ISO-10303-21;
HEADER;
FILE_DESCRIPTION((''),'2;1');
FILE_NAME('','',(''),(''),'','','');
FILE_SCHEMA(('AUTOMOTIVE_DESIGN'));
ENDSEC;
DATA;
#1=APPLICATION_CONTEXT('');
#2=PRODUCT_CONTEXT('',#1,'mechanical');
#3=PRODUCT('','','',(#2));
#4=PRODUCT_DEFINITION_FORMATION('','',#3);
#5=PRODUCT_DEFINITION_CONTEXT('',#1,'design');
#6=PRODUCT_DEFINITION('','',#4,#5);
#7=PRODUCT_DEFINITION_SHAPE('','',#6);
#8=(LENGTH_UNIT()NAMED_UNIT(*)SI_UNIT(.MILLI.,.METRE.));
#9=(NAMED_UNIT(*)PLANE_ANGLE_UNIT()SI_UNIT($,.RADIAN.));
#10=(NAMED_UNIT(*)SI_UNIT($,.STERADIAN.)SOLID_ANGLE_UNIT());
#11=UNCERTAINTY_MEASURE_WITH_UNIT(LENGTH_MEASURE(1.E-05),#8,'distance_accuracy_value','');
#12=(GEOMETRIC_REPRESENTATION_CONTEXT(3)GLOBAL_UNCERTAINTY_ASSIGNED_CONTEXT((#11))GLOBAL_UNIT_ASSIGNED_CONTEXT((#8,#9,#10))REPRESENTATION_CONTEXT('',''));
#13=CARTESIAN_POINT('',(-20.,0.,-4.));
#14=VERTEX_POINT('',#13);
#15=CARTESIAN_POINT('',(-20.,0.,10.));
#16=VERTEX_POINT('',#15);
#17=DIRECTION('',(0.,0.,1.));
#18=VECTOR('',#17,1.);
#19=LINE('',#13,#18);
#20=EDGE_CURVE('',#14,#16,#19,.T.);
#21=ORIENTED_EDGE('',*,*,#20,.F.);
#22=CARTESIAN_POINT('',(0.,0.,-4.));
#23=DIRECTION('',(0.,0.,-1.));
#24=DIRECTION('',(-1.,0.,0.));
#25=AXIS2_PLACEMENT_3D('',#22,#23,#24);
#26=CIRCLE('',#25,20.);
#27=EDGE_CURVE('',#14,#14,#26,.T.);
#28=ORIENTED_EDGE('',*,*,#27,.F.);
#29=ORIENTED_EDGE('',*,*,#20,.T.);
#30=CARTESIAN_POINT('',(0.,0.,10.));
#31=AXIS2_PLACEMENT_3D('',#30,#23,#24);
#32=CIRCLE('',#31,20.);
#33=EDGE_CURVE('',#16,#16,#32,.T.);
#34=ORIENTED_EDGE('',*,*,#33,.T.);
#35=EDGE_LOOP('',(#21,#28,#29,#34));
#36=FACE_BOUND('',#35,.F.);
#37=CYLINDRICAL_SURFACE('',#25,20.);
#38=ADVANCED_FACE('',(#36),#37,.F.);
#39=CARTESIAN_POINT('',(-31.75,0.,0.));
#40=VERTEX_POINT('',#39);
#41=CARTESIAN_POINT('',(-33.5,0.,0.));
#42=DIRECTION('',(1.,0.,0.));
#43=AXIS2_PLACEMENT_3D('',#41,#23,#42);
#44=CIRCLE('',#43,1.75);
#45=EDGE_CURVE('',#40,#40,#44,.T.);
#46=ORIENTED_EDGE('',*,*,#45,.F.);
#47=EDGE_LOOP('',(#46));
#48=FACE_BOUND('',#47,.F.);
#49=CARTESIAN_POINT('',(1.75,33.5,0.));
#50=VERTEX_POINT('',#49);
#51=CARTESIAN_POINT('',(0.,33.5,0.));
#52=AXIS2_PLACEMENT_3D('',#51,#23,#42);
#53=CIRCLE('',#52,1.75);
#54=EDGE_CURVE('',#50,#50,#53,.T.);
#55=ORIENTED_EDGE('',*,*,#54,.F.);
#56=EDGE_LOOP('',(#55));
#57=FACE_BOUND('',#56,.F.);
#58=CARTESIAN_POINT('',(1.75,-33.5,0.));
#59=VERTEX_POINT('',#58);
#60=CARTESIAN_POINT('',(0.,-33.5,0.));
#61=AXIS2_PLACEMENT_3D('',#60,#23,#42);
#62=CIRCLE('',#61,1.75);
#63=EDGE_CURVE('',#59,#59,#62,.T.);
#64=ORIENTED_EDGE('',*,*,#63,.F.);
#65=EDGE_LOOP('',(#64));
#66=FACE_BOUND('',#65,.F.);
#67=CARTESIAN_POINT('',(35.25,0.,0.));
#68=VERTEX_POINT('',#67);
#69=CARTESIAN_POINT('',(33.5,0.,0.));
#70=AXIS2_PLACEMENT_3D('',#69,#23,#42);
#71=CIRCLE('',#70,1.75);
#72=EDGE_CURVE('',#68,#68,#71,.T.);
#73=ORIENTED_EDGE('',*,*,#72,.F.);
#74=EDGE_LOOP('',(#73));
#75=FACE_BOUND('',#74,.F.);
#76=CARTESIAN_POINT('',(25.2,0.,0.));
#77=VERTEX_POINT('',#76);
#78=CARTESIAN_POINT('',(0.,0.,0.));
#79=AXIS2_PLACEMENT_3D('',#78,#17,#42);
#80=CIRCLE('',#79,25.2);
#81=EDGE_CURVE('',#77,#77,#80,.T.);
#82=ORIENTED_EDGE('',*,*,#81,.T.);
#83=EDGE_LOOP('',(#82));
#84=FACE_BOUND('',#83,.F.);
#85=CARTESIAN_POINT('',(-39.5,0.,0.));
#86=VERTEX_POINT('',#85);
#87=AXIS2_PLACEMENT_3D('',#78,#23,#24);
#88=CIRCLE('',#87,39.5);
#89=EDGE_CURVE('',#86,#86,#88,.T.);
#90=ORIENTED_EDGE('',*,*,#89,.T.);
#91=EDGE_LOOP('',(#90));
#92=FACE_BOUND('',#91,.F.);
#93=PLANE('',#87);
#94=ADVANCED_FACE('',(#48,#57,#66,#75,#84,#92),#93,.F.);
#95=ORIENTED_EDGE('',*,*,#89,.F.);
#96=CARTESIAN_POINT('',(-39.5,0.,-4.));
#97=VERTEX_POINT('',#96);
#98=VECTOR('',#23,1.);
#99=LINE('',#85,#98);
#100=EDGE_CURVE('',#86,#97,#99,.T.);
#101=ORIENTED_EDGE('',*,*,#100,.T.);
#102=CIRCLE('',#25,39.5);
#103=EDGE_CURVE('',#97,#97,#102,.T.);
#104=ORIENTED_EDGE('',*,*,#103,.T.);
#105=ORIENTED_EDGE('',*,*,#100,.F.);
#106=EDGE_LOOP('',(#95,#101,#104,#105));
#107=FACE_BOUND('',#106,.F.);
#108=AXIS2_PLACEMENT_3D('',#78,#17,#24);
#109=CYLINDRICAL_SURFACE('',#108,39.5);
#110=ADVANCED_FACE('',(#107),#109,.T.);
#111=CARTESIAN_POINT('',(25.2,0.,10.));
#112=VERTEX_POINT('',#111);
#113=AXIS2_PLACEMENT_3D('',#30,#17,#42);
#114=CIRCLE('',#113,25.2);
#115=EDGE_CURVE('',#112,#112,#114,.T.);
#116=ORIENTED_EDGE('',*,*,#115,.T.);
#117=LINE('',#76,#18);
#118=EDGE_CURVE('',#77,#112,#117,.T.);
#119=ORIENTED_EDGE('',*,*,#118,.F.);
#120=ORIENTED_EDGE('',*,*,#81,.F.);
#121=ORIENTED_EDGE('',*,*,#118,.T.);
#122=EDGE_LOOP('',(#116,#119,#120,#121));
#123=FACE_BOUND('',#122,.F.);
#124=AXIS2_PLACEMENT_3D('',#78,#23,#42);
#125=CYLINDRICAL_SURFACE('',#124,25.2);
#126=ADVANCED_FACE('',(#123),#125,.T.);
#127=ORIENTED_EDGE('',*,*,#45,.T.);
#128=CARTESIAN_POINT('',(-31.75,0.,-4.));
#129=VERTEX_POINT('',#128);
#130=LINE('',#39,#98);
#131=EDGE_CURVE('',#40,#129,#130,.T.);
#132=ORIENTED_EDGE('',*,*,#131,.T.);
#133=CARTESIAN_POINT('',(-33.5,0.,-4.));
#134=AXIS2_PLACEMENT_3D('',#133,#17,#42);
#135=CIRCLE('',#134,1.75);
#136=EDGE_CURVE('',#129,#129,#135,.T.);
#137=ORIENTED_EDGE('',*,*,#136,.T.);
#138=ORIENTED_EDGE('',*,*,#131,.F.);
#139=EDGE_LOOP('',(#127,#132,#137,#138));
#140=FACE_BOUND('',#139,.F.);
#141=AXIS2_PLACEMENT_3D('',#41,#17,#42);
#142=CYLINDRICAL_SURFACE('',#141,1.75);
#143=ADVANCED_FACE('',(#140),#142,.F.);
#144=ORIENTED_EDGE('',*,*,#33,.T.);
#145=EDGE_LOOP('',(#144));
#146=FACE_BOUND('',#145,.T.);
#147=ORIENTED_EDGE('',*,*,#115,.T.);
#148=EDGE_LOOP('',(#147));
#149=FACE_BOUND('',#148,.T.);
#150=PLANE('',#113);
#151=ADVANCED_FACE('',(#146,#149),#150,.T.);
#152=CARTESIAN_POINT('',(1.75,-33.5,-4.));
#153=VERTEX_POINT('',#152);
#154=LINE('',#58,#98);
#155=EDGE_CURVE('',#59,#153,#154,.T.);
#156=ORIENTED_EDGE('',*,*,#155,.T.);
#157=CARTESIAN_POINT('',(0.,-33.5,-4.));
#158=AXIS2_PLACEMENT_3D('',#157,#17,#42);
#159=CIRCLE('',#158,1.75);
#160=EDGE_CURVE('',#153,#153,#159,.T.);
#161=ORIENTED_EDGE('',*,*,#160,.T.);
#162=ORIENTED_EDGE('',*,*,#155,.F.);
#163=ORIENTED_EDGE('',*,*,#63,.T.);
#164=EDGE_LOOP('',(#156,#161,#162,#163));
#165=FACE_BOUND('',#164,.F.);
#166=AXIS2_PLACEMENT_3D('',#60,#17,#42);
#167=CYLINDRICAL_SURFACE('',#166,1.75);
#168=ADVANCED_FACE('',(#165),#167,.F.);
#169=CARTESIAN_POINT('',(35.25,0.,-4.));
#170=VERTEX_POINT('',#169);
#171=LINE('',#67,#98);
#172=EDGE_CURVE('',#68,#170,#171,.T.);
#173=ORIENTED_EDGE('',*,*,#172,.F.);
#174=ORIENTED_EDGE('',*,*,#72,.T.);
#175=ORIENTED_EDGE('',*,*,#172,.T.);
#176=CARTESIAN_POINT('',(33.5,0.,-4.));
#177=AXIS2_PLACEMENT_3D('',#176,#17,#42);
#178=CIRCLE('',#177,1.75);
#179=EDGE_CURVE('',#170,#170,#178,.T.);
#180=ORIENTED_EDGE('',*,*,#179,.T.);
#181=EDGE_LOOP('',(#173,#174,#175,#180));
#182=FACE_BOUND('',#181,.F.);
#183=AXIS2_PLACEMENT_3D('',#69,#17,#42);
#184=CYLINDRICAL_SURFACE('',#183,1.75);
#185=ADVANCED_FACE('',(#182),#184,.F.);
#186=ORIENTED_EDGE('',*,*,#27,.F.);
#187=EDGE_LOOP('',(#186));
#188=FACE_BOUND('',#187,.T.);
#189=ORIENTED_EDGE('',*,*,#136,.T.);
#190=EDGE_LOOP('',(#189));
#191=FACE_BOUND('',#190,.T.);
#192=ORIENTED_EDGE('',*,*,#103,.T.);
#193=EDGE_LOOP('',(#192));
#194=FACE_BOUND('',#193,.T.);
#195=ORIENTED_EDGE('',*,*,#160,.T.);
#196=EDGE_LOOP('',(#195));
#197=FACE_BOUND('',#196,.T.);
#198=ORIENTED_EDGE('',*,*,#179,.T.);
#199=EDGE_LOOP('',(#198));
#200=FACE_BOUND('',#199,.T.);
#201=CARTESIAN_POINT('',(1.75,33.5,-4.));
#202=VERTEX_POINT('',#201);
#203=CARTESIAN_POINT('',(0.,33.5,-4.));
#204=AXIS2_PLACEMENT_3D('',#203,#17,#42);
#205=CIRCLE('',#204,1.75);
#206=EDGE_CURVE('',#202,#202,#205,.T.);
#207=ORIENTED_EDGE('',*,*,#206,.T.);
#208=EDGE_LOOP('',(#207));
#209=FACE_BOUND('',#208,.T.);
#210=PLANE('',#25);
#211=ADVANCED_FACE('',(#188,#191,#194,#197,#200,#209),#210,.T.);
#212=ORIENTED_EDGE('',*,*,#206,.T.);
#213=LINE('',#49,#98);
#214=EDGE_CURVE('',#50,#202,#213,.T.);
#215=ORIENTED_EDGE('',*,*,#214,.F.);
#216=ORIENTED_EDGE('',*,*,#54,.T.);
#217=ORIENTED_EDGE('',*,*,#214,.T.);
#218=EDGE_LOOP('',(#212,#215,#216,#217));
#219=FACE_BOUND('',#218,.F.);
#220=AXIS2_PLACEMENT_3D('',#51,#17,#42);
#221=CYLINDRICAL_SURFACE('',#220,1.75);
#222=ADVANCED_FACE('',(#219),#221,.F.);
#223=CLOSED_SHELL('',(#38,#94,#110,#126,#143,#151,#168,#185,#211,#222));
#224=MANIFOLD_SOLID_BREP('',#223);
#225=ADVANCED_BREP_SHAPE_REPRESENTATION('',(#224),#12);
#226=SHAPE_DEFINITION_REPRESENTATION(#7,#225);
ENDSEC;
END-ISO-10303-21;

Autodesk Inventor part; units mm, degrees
ref_plane "YZ Plane" through (0, 0, 0) normal (1, 0, 0) x (0, 1, 0)
ref_plane "XZ Plane" through (0, 0, 0) normal (0, 1, 0) x (-1, 0, 0)
ref_plane "XY Plane" through (0, 0, 0) normal (0, 0, 1) x (1, 0, 0)
sketch "Sketch1" plane through (0, 0, 0) normal (0, 0, 1) x (1, 0, 0)
  circle A0 centre (0, 0) radius 25.2
  dimension "d0" = 50.4
extrude "Extrusion1" add sketch "Sketch1" along normal blind 10
sketch "Sketch2" plane through (0, 0, 10) normal (0, 0, 1) x (1, 0, 0)
  circle A0 centre (0, 0) radius 25.2 projected
  circle A1 centre (0, 0) radius 7
  dimension "d3" = 14
extrude "Extrusion2" add sketch "Sketch2" along normal blind 6 contours A1
sketch "Sketch3" plane through (0, 0, 0) normal (0, 0, -1) x (-1, 0, 0)
  circle A0 centre (0, 0) radius 7 projected
  circle A1 centre (0, 0) radius 39.5
  dimension "d6" = 79
extrude "Extrusion3" add sketch "Sketch3" along normal blind 4 contours A0 | A1
sketch "Sketch4" plane through (0, 0, 16) normal (0, 0, 1) x (1, 0, 0)
  circle A0 centre (0, 0) radius 7 projected
  circle A1 centre (0, 0) radius 4
  dimension "d9" = 8
extrude "Extrusion4" cut sketch "Sketch4" against normal through all contours A1
sketch "Sketch5" plane through (0, 0, 0) normal (0, 0, 1) x (1, 0, 0)
  circle A0 centre (0, 0) radius 4 projected
  line L0 (0, 0) -> (0, 39.5)
  circle A1 centre (0, 0) radius 39.5 projected
  line L1 (0, 0) -> (0, -39.5)
  circle A2 centre (0, 0) radius 39.5 projected
  circle A3 centre (0, 0) radius 4 projected
  line L2 (0, 0) -> (38.7035, 0)
  circle A4 centre (0, 0) radius 7 projected
  line L3 (0, 0) -> (-39.5, 0)
  circle A5 centre (0, 0) radius 7 projected
  circle A6 centre (0, -33.5) radius 1.75
  circle A7 centre (33.5, 0) radius 1.75
  circle A8 centre (0, 33.5) radius 1.75
  circle A9 centre (-33.5, 0) radius 1.75
  circle A10 centre (0, 0) radius 33.5
  dimension "d13" = 3.5
  dimension "d19" = 67
extrude "Extrusion5" cut sketch "Sketch5" against normal through all contours A7 A10 L2 | L2 A10 A7 | A8 A10 L0 | L0 A10 A8 | A6 A10 L1 | L1 A10 A6 | A10 A7 L2 | L2 A7 A10 | A9 A10 L3 | L3 A10 A9 | A10 A8 L0 | L0 A8 A10 | A10 A6 L1 | L1 A6 A10 | A10 A9 L3 | L3 A9 A10
sketch "Sketch7" plane through (0, 0, -4) normal (0, 0, -1) x (-1, 0, 0)
  circle A0 centre (0, 0) radius 20
  dimension "d20" = 40
extrude "Extrusion7" cut sketch "Sketch7" against normal blind 75
properties part number "2209_Tube Flange_V1" material "ABS Plastic"
